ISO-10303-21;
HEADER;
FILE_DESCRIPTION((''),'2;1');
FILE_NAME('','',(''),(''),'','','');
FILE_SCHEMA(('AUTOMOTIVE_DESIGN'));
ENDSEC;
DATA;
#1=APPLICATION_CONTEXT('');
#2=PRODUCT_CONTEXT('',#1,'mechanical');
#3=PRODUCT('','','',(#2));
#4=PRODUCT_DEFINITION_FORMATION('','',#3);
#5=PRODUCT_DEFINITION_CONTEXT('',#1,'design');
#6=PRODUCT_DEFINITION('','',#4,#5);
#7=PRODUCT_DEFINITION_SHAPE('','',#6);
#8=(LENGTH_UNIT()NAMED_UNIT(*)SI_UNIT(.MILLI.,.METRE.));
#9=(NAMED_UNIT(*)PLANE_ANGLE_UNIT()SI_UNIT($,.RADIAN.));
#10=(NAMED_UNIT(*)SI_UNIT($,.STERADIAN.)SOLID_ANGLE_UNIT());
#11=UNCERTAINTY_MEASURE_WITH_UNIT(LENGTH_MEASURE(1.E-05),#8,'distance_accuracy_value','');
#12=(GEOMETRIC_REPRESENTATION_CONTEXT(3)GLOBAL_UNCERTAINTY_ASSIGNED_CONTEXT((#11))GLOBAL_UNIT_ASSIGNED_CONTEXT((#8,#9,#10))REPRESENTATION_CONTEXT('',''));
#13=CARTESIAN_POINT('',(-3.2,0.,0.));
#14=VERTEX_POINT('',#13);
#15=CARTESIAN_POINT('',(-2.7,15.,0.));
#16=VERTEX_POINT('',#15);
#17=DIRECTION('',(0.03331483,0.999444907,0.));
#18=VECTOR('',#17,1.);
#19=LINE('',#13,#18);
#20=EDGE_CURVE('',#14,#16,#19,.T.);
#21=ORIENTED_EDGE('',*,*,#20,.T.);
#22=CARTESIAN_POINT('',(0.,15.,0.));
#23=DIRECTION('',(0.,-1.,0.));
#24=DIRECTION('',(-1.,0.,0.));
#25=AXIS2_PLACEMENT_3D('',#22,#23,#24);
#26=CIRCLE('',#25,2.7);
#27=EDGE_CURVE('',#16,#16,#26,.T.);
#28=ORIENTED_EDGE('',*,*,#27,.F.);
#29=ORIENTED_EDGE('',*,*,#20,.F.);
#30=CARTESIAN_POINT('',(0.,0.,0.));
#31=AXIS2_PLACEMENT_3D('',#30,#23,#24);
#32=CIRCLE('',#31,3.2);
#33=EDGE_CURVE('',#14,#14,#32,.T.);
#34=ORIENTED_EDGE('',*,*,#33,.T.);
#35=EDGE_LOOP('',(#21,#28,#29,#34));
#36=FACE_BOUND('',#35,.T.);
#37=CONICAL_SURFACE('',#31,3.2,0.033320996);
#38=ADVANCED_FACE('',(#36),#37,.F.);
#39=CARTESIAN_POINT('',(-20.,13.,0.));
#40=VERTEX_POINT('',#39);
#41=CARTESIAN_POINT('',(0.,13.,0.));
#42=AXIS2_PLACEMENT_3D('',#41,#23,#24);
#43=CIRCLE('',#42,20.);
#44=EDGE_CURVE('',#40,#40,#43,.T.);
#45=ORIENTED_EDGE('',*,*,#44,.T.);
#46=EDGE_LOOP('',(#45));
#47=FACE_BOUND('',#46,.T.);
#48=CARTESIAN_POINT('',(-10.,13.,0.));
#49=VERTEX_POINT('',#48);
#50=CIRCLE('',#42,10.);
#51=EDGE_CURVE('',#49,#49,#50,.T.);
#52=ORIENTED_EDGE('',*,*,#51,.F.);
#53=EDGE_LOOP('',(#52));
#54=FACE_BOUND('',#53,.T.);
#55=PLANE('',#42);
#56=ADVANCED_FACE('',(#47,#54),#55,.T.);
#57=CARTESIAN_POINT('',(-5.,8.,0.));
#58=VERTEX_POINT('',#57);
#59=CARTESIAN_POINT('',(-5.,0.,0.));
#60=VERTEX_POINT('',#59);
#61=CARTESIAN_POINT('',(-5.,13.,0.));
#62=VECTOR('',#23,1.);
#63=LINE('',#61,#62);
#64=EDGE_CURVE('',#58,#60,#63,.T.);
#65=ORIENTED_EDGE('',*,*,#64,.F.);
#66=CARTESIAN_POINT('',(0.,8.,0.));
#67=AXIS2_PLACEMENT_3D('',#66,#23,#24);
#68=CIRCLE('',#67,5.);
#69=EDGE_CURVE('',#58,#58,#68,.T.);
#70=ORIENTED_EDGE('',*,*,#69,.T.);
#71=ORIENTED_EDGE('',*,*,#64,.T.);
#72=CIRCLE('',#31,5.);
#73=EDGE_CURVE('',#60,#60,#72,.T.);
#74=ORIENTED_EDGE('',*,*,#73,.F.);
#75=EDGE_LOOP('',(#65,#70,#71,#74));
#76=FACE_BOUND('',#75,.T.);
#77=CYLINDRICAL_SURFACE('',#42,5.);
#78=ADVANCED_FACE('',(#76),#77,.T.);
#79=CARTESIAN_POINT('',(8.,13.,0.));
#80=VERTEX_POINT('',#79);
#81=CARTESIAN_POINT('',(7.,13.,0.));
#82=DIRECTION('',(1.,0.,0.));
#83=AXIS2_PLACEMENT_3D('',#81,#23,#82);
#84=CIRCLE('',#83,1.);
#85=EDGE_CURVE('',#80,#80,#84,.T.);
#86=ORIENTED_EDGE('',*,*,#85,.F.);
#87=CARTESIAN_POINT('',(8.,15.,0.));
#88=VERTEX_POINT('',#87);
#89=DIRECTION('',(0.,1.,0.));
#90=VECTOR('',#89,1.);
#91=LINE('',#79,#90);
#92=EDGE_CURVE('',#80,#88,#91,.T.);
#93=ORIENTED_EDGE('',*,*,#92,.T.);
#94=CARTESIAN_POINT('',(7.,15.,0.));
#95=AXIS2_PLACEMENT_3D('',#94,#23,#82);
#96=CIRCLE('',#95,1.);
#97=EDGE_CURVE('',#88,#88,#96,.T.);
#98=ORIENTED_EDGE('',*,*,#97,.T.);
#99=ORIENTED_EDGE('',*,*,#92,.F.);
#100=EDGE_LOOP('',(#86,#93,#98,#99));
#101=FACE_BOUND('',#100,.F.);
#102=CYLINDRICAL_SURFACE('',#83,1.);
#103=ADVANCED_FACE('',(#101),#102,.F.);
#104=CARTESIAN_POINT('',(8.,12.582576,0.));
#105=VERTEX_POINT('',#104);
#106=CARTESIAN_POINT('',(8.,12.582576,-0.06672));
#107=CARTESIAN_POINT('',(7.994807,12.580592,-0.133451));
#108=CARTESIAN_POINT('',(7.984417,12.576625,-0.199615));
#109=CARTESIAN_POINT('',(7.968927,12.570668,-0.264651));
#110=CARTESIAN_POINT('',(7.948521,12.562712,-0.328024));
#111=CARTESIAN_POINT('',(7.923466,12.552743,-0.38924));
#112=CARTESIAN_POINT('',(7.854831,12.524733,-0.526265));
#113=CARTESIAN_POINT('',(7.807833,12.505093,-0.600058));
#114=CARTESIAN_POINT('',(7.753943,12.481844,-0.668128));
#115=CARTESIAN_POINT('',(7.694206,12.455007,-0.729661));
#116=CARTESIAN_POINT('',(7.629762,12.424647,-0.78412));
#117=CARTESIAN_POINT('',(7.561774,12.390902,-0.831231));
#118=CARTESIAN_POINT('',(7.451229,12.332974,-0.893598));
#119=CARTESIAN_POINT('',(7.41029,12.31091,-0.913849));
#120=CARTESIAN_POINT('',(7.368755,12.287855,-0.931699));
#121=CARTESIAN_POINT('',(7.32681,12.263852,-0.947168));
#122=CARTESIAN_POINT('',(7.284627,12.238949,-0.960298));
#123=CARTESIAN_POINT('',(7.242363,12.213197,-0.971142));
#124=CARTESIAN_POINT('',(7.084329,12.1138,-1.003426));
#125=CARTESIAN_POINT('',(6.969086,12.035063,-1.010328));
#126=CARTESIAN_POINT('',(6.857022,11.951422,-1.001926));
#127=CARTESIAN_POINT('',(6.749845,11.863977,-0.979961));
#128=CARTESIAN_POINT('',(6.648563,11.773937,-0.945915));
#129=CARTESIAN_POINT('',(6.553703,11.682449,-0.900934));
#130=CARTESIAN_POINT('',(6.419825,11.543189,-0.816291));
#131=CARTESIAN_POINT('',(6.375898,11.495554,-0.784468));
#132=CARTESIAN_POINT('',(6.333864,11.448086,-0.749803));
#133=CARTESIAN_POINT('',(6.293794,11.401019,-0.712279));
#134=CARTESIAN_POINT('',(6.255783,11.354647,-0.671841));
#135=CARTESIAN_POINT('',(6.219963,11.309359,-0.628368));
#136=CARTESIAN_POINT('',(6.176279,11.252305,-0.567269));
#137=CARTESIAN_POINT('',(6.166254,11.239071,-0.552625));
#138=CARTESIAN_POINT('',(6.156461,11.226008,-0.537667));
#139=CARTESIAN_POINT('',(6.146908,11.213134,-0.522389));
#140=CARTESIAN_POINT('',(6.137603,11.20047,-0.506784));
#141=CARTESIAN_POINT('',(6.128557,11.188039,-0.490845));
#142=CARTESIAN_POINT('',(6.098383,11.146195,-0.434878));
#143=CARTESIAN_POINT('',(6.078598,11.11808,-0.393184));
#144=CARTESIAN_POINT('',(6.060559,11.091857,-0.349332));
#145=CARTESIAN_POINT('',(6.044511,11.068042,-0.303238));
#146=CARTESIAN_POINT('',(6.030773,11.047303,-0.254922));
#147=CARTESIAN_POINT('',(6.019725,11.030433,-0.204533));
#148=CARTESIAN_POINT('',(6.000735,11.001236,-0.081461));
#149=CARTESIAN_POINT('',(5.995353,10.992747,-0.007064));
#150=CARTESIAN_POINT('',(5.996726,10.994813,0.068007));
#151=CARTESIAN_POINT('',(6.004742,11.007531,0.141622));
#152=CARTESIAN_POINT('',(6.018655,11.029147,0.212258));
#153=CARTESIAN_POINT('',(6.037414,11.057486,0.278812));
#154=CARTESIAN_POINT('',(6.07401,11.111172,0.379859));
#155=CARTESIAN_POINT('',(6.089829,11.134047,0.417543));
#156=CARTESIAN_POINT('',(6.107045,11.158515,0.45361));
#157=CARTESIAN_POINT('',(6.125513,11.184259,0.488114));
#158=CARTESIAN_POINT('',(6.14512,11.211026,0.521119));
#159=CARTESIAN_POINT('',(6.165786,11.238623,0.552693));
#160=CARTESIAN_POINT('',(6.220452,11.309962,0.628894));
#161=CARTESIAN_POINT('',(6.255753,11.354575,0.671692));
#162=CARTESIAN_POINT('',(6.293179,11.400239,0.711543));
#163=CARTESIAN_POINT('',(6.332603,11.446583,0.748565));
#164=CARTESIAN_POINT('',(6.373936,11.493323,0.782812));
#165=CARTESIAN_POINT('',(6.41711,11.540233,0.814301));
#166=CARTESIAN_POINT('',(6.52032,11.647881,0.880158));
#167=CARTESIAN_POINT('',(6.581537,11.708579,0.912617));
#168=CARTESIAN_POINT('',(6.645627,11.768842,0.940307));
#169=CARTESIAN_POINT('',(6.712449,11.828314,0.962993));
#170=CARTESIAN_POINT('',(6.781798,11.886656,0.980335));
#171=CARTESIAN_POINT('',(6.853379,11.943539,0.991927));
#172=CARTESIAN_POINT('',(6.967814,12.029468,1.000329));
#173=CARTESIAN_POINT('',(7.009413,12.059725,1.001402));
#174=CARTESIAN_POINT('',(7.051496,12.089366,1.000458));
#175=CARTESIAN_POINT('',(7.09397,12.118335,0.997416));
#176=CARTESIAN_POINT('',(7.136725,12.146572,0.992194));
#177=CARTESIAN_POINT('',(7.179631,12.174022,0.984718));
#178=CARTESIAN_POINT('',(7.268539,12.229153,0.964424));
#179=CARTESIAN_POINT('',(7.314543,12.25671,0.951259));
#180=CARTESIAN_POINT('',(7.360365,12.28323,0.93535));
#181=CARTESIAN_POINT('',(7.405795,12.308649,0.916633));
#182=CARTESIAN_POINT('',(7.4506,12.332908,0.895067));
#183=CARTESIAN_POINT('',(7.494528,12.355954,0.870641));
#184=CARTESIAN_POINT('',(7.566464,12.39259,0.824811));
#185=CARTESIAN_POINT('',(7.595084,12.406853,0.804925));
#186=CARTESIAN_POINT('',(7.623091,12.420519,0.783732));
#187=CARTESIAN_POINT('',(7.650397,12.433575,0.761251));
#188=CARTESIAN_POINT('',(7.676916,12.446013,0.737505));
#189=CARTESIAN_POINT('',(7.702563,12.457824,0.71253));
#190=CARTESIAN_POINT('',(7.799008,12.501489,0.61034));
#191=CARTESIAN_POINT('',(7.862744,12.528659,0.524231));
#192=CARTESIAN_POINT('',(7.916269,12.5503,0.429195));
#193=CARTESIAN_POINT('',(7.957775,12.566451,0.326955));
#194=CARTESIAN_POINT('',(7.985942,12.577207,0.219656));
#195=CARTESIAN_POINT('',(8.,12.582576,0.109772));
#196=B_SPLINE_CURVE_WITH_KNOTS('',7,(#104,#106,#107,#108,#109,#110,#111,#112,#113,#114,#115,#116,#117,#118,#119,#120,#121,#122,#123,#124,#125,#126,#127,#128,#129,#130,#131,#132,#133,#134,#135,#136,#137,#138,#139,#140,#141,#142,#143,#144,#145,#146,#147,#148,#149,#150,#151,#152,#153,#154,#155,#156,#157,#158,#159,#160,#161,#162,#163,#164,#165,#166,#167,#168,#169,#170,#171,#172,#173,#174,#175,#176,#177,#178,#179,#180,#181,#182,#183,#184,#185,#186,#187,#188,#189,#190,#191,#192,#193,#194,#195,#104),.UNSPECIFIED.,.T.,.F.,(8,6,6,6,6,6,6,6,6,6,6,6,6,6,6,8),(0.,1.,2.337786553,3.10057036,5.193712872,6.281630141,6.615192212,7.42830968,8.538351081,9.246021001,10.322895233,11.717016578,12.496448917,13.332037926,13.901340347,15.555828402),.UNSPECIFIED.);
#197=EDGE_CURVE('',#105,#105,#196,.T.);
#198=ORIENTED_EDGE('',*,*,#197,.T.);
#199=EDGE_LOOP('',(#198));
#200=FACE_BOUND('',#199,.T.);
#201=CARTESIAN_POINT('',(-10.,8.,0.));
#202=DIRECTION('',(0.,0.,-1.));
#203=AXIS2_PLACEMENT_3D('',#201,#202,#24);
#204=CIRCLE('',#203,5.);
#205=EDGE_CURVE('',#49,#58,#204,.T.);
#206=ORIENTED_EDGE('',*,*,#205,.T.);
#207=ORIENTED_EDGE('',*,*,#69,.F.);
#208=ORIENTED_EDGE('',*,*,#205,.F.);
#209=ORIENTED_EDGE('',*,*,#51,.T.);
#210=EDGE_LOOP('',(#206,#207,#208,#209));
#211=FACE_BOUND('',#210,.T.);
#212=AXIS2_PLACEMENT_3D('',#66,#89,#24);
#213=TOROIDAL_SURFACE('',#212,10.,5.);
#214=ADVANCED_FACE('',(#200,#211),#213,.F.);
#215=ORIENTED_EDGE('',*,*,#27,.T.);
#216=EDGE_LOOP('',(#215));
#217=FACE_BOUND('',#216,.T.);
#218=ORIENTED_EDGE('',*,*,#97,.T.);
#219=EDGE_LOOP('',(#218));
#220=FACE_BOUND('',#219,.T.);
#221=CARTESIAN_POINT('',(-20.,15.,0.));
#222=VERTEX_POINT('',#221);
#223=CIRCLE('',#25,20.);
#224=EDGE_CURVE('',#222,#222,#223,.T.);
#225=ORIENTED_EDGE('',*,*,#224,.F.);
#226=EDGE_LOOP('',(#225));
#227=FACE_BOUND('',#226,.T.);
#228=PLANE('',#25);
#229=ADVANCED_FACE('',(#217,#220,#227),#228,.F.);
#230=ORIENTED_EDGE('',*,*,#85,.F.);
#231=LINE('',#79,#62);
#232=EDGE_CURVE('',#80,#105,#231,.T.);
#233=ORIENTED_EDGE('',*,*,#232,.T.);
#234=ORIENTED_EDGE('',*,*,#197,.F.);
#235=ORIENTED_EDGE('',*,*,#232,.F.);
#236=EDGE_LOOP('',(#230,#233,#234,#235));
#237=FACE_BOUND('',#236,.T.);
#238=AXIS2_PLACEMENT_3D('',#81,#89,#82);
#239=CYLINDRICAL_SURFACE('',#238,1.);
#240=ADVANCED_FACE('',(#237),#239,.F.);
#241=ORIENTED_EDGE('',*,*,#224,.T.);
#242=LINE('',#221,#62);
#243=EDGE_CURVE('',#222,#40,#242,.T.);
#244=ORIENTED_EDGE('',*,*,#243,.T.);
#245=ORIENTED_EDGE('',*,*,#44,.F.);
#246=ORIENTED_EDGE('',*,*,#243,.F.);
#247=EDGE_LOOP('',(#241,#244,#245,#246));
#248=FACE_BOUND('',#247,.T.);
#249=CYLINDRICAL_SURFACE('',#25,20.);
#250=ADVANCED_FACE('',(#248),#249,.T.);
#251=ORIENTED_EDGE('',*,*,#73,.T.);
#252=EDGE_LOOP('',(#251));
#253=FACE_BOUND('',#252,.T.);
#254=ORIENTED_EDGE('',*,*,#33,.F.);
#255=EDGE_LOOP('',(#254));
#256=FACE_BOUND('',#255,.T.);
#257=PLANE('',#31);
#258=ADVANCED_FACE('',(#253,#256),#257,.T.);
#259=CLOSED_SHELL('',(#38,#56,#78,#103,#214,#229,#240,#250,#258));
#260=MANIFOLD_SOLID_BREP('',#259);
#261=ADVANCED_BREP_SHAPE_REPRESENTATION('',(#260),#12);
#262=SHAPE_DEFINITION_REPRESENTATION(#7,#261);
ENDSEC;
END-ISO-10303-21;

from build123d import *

# Parameters (mm, degrees)
F2_R          = 5
F3_R          = 1
F4_DEPTH      = 2.001
F4_DEPTH_BACK = 13.001


with BuildPart() as f1:
    # F0 (on Top) → F1 (revolve)
    with BuildSketch(Plane.XY):
        Polygon((-5, 0), (-3.2, 0), (-2.7, 15), (-20, 15), (-20, 13), (-5, 13), align=None)
    revolve(axis=Axis((0, -0.5978257842, 0), (0, -1, 0)))

    # F2
    f2_edges = [f1.edges().sort_by_distance(p)[0] for p in [
        (5, 13, 0),
    ]]
    fillet(f2_edges, radius=F2_R)

    # F3 (on face) → F4 (cut, two sides)
    with BuildSketch(Plane.XZ.offset(-13)) as f4_sk:
        with Locations((7, 0)):
            Circle(F3_R)
    extrude(amount=-F4_DEPTH, mode=Mode.SUBTRACT)
    extrude(f4_sk.sketch, amount=F4_DEPTH_BACK, mode=Mode.SUBTRACT)


solid = f1.part
